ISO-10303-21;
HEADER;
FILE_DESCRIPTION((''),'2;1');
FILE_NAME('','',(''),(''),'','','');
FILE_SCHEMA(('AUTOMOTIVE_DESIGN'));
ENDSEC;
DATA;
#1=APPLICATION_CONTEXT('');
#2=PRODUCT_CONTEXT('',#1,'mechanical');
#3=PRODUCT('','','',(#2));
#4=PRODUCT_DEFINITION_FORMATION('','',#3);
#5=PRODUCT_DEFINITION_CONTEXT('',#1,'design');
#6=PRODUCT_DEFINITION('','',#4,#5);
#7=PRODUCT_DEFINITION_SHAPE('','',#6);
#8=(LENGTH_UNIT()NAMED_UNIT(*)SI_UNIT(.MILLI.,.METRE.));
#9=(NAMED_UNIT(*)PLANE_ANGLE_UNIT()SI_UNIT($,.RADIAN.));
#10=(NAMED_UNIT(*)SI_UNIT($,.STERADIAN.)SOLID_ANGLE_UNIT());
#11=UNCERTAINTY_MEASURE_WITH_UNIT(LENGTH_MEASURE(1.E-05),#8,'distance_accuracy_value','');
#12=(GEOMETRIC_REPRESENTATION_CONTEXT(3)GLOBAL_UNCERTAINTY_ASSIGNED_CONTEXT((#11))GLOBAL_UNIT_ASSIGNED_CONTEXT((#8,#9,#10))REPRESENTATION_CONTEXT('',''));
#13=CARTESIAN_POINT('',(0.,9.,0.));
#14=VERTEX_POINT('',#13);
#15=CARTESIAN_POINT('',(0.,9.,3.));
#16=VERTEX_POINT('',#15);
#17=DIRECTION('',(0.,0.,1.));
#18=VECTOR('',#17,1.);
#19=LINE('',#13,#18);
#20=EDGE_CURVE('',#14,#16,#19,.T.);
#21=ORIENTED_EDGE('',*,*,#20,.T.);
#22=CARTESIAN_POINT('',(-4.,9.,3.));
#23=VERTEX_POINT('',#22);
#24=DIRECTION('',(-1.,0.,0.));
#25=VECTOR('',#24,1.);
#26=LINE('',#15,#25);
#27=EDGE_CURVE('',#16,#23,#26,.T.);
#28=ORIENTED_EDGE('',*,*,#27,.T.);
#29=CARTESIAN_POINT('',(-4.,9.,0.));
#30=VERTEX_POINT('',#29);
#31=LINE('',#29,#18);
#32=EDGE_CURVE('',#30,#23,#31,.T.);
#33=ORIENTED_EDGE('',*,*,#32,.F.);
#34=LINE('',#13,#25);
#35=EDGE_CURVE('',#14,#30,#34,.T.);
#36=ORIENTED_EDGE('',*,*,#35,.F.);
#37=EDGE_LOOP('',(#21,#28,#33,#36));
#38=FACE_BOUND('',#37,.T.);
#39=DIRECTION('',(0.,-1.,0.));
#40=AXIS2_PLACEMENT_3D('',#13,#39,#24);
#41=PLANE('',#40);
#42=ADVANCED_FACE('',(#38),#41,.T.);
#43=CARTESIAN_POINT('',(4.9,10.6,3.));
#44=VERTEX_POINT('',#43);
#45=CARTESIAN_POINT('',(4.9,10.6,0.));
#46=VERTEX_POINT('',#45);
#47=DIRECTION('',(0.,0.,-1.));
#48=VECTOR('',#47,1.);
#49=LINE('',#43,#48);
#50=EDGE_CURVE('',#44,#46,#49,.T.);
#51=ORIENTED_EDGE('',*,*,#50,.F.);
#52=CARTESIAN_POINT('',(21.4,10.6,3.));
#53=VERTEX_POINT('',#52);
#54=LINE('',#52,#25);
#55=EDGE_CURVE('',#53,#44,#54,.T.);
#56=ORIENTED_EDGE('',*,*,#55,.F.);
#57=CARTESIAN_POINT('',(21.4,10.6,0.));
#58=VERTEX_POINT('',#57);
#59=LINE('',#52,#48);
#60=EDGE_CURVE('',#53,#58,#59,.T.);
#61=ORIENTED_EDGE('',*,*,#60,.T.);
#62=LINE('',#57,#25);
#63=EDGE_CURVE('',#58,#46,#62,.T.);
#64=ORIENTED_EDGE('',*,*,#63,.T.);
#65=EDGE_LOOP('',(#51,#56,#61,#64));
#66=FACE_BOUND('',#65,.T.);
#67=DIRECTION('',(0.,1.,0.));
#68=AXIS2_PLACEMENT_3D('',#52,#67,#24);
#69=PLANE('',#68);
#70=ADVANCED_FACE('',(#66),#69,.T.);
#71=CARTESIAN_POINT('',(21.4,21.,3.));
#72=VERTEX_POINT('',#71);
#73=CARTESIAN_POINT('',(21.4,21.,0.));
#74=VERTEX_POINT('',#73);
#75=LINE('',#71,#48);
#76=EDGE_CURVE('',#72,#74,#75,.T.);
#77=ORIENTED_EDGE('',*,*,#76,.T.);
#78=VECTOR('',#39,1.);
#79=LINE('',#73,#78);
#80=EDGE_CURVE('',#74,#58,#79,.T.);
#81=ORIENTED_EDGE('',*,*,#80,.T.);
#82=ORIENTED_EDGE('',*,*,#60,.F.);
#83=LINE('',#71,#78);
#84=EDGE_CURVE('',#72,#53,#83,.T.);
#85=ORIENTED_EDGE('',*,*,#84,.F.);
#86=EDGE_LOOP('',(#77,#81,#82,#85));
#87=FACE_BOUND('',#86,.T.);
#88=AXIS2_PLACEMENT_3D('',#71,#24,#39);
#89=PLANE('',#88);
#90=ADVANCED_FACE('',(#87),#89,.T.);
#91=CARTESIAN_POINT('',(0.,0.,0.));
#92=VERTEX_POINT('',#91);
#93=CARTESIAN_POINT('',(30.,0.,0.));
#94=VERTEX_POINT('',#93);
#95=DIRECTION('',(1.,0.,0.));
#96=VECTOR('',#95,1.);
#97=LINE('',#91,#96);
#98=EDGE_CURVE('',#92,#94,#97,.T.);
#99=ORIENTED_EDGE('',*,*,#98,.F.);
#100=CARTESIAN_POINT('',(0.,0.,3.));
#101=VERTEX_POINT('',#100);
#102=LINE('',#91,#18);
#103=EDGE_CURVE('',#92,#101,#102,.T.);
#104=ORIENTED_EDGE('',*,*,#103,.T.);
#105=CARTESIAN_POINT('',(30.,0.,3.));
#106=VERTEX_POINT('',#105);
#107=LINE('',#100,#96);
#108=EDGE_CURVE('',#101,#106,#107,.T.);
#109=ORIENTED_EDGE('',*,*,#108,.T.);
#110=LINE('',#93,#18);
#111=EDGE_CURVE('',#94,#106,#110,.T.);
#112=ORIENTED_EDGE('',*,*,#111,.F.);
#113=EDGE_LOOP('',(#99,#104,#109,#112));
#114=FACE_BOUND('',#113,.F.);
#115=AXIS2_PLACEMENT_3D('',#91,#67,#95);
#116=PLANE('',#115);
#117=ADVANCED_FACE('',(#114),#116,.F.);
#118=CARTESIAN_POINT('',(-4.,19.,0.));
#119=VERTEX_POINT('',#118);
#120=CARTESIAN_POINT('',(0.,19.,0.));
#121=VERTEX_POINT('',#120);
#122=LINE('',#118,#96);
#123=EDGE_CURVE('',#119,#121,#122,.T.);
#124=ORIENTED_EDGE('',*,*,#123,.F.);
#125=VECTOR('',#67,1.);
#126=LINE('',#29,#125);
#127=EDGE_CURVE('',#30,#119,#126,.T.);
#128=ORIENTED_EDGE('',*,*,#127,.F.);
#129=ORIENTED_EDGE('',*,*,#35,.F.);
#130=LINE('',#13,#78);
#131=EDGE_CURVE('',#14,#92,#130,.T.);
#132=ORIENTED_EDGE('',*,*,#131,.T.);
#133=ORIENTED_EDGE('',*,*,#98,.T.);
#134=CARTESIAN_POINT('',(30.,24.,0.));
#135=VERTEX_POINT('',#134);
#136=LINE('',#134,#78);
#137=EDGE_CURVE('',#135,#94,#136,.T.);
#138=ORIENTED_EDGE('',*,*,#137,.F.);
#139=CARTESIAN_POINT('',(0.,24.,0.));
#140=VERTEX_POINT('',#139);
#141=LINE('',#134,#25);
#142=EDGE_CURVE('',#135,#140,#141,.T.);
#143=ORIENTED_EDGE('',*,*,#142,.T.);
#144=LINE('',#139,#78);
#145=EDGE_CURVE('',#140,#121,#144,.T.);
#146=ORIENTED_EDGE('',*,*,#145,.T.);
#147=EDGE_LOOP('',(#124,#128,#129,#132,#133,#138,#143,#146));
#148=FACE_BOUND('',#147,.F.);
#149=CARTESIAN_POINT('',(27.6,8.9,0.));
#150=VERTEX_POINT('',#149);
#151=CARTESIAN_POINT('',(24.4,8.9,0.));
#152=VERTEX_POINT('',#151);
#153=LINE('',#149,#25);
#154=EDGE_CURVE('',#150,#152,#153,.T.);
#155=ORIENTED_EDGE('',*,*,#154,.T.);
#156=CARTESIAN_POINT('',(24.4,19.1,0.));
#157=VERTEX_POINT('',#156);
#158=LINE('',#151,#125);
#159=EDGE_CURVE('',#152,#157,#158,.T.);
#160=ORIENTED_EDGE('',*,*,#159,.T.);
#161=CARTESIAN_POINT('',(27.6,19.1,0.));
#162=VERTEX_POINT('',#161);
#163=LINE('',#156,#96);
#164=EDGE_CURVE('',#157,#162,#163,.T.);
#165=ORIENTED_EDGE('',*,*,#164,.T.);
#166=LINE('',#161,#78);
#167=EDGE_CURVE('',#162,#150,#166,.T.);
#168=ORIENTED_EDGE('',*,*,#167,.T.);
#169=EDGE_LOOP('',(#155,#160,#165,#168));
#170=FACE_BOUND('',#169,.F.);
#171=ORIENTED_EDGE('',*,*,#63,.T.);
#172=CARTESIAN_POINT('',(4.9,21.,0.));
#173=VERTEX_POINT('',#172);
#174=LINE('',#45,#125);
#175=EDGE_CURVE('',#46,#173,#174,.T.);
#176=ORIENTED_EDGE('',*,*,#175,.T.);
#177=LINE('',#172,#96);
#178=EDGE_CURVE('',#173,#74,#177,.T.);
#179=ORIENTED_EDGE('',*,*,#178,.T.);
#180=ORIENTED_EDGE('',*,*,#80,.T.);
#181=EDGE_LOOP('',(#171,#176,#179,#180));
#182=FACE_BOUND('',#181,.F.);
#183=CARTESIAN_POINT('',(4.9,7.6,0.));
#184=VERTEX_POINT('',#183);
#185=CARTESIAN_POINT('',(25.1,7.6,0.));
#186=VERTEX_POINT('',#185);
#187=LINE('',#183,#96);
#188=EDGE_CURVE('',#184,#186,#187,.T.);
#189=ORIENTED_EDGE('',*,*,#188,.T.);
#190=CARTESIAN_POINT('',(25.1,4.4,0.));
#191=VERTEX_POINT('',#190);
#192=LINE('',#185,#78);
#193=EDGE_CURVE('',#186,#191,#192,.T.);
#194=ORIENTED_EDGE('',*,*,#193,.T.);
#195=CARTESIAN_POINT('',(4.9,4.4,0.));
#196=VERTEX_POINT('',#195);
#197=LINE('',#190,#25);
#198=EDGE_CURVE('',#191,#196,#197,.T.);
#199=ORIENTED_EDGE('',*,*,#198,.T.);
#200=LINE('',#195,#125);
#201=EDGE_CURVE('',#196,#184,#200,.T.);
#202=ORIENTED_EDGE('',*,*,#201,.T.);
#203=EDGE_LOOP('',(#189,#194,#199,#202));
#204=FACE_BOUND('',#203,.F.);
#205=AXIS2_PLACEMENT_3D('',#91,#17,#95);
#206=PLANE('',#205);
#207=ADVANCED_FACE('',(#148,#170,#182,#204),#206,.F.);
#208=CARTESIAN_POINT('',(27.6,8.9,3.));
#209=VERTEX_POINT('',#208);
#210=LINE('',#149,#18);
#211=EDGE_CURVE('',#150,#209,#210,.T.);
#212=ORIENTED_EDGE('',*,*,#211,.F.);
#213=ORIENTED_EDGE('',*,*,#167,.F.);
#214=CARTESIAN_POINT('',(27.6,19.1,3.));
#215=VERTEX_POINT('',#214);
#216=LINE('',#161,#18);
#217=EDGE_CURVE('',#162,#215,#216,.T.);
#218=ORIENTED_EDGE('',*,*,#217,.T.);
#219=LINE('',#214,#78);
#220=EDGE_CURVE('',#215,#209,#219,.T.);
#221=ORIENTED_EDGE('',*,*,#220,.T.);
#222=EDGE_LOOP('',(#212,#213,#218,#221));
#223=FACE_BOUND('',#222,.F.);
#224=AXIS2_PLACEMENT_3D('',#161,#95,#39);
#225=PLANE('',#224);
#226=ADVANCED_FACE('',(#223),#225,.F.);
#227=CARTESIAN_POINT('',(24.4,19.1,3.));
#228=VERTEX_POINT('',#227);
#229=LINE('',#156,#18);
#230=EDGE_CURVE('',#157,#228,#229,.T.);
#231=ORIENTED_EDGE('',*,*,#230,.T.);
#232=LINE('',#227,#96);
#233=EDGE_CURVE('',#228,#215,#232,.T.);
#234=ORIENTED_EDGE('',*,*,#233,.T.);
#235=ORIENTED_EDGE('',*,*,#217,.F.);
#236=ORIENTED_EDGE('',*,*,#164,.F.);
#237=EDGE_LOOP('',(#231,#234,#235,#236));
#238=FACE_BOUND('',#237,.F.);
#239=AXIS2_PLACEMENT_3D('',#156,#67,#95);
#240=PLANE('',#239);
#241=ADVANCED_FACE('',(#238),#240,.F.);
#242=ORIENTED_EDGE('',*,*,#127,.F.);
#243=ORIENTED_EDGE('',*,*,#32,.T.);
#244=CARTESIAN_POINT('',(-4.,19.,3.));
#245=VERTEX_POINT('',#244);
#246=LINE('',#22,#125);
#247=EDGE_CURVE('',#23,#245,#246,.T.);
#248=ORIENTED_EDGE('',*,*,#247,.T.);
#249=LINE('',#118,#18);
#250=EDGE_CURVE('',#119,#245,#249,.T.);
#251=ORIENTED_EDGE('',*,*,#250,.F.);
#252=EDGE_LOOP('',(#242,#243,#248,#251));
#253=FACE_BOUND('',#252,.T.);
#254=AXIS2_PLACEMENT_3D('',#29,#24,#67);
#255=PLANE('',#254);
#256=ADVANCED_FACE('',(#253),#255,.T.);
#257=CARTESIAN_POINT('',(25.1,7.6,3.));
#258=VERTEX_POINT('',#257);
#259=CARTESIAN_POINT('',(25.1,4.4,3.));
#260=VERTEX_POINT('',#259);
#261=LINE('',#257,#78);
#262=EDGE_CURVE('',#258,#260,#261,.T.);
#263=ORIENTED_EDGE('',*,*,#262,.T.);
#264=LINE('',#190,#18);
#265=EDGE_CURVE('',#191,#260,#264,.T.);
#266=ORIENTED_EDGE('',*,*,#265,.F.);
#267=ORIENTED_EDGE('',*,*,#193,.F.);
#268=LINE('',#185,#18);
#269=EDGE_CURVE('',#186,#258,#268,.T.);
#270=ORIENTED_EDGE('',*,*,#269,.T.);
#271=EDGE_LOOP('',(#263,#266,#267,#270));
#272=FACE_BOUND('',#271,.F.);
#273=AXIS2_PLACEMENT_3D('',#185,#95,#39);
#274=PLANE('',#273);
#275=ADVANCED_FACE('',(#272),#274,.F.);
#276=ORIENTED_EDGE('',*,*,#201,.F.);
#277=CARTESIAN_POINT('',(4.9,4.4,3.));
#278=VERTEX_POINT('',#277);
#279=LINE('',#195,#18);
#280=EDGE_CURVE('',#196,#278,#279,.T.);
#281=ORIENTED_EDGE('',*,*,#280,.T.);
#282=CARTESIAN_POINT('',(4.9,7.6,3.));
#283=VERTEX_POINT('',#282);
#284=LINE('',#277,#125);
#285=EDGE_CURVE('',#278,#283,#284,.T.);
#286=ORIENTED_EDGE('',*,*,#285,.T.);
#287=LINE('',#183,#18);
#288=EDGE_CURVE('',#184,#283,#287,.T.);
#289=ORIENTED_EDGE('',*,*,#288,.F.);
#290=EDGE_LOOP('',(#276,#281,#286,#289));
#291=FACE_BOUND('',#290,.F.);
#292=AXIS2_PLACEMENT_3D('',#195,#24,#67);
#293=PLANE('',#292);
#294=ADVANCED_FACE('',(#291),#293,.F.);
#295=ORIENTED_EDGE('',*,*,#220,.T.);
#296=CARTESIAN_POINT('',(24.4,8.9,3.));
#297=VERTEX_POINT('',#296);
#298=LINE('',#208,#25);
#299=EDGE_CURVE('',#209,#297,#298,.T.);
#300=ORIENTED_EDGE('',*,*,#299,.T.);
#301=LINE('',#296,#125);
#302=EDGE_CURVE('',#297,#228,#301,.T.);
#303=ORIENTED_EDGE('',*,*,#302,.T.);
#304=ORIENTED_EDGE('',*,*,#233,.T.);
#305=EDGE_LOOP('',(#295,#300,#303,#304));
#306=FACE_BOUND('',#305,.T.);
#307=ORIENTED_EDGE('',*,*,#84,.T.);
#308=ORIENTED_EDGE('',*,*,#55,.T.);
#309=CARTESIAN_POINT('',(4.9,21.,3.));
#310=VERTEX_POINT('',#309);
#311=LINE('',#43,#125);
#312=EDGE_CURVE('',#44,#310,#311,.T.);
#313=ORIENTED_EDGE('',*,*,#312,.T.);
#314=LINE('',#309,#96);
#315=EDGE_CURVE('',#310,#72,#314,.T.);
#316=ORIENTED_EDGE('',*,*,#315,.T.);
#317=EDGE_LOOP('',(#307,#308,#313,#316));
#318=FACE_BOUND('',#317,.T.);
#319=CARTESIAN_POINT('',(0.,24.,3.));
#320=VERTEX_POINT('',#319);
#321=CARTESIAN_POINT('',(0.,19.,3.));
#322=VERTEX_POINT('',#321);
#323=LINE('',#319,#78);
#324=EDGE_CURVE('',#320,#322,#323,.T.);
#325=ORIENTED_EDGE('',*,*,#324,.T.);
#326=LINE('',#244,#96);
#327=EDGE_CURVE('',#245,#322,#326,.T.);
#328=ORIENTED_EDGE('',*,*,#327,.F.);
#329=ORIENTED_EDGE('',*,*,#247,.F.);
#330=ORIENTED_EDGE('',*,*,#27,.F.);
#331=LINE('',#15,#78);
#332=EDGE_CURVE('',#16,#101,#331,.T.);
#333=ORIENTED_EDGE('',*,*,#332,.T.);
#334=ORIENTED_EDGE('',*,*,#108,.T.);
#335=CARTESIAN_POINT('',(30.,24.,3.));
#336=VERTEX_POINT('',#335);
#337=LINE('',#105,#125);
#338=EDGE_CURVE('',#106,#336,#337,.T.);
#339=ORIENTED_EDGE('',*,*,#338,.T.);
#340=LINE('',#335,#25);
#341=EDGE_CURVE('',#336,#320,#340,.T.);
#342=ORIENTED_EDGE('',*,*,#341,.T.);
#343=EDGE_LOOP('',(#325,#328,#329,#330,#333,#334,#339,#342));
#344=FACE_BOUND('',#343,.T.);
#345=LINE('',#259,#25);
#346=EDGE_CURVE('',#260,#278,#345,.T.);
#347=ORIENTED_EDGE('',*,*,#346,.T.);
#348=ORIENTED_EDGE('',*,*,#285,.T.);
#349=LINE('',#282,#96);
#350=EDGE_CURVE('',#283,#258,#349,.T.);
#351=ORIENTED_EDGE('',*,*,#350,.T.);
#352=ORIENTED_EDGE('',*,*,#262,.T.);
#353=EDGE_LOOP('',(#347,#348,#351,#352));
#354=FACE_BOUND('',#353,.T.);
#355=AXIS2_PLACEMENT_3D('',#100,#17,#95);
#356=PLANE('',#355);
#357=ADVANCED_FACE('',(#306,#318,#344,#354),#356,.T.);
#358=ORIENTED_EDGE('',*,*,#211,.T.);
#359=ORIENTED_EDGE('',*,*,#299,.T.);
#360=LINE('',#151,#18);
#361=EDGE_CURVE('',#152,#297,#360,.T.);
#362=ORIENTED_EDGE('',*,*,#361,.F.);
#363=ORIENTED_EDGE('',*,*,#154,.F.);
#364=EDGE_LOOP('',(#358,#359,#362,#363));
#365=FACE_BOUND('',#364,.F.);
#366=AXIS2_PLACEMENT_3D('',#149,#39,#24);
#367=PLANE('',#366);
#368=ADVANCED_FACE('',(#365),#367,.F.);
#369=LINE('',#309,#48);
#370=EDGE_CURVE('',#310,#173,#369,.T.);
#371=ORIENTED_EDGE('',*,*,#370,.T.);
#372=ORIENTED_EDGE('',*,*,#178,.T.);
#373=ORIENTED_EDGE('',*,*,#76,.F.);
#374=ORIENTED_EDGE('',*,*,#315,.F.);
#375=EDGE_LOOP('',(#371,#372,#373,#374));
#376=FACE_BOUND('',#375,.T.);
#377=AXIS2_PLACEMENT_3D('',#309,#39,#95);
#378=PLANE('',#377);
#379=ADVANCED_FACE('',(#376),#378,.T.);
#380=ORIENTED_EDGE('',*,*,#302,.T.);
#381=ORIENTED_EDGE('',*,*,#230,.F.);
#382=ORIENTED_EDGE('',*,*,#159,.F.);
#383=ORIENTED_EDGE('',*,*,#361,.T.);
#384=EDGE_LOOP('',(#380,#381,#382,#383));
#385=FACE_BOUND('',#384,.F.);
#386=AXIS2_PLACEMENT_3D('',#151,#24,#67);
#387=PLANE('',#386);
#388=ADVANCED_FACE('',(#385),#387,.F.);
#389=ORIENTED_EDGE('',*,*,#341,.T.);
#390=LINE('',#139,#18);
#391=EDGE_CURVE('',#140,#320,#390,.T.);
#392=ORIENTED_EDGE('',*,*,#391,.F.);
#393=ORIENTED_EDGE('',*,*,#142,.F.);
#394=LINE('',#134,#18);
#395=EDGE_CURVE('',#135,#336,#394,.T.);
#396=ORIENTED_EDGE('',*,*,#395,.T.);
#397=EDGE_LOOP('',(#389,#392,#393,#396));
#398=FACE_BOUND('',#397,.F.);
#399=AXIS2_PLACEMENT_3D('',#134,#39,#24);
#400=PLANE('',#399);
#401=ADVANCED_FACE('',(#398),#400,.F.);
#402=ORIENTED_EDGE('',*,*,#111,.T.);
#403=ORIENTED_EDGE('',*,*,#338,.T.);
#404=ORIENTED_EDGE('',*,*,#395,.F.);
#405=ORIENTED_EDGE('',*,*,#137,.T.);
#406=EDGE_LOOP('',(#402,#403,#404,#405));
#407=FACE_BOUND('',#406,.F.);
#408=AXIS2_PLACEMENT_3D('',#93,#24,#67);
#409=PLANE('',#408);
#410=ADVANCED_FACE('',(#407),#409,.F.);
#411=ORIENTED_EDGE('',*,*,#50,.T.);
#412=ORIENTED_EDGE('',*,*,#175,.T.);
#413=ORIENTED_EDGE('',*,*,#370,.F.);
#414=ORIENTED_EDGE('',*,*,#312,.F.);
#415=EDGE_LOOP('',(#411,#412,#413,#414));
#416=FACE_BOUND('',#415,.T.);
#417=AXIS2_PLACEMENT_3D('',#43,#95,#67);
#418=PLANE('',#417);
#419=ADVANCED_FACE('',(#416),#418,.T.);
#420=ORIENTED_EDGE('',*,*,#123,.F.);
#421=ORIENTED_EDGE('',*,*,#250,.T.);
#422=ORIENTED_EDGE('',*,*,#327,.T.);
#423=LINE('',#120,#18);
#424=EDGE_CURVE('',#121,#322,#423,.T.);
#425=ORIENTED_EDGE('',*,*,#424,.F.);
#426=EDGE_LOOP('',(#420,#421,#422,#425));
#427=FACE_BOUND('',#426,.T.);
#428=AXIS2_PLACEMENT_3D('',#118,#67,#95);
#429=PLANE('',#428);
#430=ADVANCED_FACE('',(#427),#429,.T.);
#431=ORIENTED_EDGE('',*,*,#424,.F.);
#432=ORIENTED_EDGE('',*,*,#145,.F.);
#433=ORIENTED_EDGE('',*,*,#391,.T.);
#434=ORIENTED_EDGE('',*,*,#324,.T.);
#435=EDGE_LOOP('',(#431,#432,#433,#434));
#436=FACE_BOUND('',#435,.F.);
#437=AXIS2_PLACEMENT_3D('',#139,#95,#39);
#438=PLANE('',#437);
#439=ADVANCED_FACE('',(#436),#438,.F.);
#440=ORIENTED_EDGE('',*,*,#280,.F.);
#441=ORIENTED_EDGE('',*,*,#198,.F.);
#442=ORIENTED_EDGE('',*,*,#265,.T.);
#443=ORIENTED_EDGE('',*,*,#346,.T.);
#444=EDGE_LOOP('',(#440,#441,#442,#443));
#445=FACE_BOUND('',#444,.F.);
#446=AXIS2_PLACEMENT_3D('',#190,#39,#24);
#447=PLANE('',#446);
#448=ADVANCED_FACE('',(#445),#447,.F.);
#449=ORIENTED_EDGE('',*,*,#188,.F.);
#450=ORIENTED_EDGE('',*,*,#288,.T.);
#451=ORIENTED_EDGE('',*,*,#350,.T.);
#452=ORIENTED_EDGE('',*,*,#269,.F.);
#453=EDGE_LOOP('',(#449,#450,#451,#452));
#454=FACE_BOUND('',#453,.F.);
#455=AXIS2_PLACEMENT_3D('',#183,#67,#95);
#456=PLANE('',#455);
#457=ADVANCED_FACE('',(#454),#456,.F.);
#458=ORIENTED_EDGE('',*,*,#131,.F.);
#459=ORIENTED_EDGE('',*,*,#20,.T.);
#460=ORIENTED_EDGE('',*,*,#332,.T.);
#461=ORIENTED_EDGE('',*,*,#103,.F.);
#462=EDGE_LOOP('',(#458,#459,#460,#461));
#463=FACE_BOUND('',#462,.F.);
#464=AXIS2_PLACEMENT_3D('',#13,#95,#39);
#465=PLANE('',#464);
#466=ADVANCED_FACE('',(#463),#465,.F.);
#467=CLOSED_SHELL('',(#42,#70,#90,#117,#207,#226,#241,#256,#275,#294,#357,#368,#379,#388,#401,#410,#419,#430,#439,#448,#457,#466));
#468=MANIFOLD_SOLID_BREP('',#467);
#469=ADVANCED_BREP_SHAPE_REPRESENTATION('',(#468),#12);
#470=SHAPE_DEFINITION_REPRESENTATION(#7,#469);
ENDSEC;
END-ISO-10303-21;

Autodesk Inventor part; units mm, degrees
ref_plane "YZ Plane" through (0, 0, 0) normal (1, 0, 0) x (0, 1, 0)
ref_plane "XZ Plane" through (0, 0, 0) normal (0, 1, 0) x (-1, 0, 0)
ref_plane "XY Plane" through (0, 0, 0) normal (0, 0, 1) x (1, 0, 0)
sketch "Sketch1" plane through (0, 0, 0) normal (0, 0, 1) x (1, 0, 0)
  line L0 (0, 9) -> (-4, 9)
  line L1 (-4, 9) -> (-4, 19)
  line L2 (-4, 19) -> (0, 19)
  line L3 (0, 19) -> (0, 9)
  line L4 (0, 9) -> (0, 0)
  line L5 (0, 0) -> (30, 0)
  line L6 (30, 0) -> (30, 24)
  line L7 (30, 24) -> (0, 24)
  line L8 (0, 24) -> (0, 19)
  line L9 (4.9, 7.6) -> (25.1, 7.6)
  line L10 (25.1, 7.6) -> (25.1, 4.4)
  line L11 (25.1, 4.4) -> (4.9, 4.4)
  line L12 (4.9, 4.4) -> (4.9, 7.6)
  line L13 (4.9, 7.6) -> (25.1, 4.4) construction
  line L14 (25.1, 7.6) -> (4.9, 4.4) construction
  line L15 (24.4, 19.1) -> (27.6, 19.1)
  line L16 (27.6, 19.1) -> (27.6, 8.9)
  line L17 (27.6, 8.9) -> (24.4, 8.9)
  line L18 (24.4, 8.9) -> (24.4, 19.1)
  line L19 (24.4, 19.1) -> (27.6, 8.9) construction
  line L20 (27.6, 19.1) -> (24.4, 8.9) construction
  line L21 (34, 19) -> (30, 19)
  line L22 (30, 19) -> (30, 9)
  line L23 (30, 9) -> (34, 9)
  line L24 (34, 9) -> (34, 19)
  line L25 (34, 19) -> (30, 9) construction
  line L26 (30, 19) -> (34, 9) construction
  point P0 (15, 6)
  point P1 (15, 0)
  point P2 (26, 14)
  point P3 (0, 14)
  point P4 (32, 14)
  dimension "d0" = 10
  dimension "d1" = 4
  dimension "d4" = 30
  dimension "d5" = 20.2
  dimension "d6" = 3.2
  dimension "d8" = 6
  dimension "d11" = 3.2
  dimension "d12" = 4
  dimension "d13" = 10.2
  dimension "d20" = 4
  dimension "d21" = 24
  dimension "d22" = 9
extrude "Extrusion1" add sketch "Sketch1" along normal blind 3 contours L0 L1 L2 L3 | L3 L8 L7 L6 L5 L4
sketch "Sketch2" plane through (0, 0, 3) normal (0, 0, 1) x (1, 0, 0)
  line L0 (4.9, 21) -> (21.4, 21)
  line L1 (21.4, 21) -> (21.4, 10.6)
  line L2 (21.4, 10.6) -> (4.9, 10.6)
  line L3 (4.9, 10.6) -> (4.9, 21)
  line L4 (24.4, 8.9) -> (24.4, 19.1) projected
  line L5 (4.9, 7.6) -> (25.1, 7.6) projected
  line L6 (30, 24) -> (0, 24) projected
  line L7 (0, 9) -> (0, 0) projected
  dimension "d14" = 3
  dimension "d15" = 3
  dimension "d16" = 3
extrude "Extrusion2" cut sketch "Sketch2" against normal blind 3
properties part number "Battary_holder"
